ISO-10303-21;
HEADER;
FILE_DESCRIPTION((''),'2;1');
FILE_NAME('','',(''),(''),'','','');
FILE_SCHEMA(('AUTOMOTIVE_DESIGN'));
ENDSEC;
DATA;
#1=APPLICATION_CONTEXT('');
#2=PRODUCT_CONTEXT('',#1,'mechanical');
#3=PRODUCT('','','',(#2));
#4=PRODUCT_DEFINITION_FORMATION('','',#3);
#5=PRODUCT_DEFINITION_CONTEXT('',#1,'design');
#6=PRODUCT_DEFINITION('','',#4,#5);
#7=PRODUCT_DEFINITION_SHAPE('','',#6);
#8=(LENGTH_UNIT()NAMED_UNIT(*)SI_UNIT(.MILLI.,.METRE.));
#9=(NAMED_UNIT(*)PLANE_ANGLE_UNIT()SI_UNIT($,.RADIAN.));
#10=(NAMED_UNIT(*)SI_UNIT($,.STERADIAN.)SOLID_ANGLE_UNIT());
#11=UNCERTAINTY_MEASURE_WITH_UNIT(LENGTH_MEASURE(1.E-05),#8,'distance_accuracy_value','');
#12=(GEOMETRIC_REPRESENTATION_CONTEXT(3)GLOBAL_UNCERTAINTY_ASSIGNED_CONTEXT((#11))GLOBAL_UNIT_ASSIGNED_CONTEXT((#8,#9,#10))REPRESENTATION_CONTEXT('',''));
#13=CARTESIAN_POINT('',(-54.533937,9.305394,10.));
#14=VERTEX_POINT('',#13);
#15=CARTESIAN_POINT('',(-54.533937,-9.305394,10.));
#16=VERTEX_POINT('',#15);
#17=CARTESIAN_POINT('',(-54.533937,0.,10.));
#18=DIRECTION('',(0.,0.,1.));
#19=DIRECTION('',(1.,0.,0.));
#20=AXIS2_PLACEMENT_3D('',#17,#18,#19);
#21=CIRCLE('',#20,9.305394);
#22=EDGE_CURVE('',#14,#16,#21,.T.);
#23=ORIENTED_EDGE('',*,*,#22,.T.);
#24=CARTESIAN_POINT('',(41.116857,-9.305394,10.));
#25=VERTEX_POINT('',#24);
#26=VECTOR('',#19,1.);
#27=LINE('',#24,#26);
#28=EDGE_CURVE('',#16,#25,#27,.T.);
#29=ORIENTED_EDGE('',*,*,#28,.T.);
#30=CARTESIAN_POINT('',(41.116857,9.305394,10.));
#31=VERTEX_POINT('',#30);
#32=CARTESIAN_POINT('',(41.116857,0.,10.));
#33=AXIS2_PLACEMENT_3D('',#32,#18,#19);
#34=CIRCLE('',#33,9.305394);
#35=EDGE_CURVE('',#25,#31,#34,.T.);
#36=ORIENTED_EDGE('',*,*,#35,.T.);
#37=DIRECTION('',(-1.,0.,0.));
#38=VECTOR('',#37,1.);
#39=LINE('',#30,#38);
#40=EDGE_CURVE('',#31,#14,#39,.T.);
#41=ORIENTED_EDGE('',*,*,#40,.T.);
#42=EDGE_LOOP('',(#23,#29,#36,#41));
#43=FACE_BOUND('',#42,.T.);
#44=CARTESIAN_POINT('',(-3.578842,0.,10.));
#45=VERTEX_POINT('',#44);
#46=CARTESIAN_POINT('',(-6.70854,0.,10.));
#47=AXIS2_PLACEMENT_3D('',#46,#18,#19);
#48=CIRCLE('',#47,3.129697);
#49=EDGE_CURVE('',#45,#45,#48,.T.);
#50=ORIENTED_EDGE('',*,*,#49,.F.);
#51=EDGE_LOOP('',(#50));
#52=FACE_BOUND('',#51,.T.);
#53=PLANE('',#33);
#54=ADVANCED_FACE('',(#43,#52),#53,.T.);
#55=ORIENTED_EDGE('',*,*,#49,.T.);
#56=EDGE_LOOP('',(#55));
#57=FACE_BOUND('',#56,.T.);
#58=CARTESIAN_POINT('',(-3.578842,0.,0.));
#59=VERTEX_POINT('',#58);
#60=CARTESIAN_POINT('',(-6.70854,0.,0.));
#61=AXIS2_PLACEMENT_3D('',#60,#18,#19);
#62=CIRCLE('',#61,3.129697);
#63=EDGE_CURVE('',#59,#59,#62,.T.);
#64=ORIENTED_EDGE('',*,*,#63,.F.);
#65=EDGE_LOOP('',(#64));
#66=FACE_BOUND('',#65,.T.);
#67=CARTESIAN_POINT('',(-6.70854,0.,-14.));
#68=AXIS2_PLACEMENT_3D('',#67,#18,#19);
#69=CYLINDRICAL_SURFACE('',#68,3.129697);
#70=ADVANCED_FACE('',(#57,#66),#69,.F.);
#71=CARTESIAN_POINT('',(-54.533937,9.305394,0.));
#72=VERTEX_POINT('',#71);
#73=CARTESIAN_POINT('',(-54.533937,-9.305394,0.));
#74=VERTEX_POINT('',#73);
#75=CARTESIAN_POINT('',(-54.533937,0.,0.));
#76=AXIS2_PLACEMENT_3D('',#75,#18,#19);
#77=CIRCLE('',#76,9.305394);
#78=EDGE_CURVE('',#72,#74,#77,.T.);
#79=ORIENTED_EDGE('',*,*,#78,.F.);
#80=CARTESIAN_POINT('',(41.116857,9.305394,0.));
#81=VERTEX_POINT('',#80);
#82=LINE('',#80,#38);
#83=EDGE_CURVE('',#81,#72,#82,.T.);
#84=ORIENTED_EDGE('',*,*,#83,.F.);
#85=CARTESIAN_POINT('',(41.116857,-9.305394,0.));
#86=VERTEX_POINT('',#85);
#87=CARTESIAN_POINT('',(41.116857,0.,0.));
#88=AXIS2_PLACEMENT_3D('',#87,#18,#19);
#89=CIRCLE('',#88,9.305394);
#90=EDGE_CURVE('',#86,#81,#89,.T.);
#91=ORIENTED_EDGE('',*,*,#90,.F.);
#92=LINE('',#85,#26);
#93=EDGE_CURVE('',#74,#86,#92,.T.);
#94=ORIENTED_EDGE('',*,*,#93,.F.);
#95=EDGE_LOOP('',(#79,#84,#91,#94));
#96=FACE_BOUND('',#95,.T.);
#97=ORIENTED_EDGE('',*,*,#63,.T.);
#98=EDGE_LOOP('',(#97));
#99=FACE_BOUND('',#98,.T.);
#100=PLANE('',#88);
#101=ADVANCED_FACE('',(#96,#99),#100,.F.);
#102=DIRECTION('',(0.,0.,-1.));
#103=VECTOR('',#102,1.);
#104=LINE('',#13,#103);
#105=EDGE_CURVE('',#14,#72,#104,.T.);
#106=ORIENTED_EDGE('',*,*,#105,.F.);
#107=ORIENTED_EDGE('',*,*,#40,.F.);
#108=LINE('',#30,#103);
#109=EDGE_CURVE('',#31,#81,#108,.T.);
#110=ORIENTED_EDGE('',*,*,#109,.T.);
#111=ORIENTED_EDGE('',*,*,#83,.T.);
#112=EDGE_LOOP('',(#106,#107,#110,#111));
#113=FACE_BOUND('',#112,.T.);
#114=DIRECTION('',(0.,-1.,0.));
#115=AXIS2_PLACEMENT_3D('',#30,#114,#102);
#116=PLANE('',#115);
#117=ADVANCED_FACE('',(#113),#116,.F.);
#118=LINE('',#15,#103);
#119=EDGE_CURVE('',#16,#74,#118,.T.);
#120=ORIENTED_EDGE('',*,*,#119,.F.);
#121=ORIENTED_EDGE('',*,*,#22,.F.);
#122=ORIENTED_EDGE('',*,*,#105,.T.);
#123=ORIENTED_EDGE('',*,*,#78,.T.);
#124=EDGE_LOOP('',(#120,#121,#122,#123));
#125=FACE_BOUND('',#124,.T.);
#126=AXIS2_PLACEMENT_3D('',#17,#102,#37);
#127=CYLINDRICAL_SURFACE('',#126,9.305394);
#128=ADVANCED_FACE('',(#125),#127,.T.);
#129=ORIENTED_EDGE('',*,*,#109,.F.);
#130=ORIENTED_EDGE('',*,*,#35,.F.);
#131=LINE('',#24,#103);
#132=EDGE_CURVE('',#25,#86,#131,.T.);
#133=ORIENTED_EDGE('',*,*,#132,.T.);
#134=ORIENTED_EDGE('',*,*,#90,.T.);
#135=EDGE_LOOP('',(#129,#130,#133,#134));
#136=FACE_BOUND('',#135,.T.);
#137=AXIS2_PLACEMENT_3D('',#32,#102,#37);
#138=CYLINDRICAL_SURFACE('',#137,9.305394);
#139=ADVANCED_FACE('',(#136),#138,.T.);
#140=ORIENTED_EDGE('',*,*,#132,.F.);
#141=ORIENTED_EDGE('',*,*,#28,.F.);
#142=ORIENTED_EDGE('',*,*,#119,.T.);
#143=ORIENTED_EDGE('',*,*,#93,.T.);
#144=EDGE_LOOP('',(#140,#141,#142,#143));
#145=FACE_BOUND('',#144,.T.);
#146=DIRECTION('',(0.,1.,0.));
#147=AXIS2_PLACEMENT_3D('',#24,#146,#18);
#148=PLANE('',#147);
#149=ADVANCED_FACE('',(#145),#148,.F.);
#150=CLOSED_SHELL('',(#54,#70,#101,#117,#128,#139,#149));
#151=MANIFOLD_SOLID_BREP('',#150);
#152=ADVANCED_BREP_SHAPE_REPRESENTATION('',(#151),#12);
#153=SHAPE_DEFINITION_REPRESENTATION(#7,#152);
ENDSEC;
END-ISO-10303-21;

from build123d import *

# Parameters (mm, degrees)
BOSS_EXTRUDE1_DEPTH = 10
SKETCH2_R           = 3.129697436
CUT_EXTRUDE1_DEPTH  = 24


with BuildPart() as part:
    # Sketch1 → Boss-Extrude1 (new body)
    with BuildSketch(Plane.XY):
        with BuildLine():
            Line((41.116857141, -9.305393984), (-54.533936839, -9.305393984))
            ThreePointArc((-54.533936839, -9.305393984), (-63.839330824, 0), (-54.533936839, 9.305393984))
            Line((-54.533936839, 9.305393984), (41.116857141, 9.305393984))
            ThreePointArc((41.116857141, 9.305393984), (50.422251125, 0), (41.116857141, -9.305393984))
        make_face()
    extrude(amount=BOSS_EXTRUDE1_DEPTH)

    # Sketch2 → Cut-Extrude1 (cut)
    with BuildSketch(Plane.XY.offset(10)):
        with Locations((-6.708539849, 0)):
            Circle(SKETCH2_R)
    extrude(amount=-CUT_EXTRUDE1_DEPTH, mode=Mode.SUBTRACT)


solid = part.part
